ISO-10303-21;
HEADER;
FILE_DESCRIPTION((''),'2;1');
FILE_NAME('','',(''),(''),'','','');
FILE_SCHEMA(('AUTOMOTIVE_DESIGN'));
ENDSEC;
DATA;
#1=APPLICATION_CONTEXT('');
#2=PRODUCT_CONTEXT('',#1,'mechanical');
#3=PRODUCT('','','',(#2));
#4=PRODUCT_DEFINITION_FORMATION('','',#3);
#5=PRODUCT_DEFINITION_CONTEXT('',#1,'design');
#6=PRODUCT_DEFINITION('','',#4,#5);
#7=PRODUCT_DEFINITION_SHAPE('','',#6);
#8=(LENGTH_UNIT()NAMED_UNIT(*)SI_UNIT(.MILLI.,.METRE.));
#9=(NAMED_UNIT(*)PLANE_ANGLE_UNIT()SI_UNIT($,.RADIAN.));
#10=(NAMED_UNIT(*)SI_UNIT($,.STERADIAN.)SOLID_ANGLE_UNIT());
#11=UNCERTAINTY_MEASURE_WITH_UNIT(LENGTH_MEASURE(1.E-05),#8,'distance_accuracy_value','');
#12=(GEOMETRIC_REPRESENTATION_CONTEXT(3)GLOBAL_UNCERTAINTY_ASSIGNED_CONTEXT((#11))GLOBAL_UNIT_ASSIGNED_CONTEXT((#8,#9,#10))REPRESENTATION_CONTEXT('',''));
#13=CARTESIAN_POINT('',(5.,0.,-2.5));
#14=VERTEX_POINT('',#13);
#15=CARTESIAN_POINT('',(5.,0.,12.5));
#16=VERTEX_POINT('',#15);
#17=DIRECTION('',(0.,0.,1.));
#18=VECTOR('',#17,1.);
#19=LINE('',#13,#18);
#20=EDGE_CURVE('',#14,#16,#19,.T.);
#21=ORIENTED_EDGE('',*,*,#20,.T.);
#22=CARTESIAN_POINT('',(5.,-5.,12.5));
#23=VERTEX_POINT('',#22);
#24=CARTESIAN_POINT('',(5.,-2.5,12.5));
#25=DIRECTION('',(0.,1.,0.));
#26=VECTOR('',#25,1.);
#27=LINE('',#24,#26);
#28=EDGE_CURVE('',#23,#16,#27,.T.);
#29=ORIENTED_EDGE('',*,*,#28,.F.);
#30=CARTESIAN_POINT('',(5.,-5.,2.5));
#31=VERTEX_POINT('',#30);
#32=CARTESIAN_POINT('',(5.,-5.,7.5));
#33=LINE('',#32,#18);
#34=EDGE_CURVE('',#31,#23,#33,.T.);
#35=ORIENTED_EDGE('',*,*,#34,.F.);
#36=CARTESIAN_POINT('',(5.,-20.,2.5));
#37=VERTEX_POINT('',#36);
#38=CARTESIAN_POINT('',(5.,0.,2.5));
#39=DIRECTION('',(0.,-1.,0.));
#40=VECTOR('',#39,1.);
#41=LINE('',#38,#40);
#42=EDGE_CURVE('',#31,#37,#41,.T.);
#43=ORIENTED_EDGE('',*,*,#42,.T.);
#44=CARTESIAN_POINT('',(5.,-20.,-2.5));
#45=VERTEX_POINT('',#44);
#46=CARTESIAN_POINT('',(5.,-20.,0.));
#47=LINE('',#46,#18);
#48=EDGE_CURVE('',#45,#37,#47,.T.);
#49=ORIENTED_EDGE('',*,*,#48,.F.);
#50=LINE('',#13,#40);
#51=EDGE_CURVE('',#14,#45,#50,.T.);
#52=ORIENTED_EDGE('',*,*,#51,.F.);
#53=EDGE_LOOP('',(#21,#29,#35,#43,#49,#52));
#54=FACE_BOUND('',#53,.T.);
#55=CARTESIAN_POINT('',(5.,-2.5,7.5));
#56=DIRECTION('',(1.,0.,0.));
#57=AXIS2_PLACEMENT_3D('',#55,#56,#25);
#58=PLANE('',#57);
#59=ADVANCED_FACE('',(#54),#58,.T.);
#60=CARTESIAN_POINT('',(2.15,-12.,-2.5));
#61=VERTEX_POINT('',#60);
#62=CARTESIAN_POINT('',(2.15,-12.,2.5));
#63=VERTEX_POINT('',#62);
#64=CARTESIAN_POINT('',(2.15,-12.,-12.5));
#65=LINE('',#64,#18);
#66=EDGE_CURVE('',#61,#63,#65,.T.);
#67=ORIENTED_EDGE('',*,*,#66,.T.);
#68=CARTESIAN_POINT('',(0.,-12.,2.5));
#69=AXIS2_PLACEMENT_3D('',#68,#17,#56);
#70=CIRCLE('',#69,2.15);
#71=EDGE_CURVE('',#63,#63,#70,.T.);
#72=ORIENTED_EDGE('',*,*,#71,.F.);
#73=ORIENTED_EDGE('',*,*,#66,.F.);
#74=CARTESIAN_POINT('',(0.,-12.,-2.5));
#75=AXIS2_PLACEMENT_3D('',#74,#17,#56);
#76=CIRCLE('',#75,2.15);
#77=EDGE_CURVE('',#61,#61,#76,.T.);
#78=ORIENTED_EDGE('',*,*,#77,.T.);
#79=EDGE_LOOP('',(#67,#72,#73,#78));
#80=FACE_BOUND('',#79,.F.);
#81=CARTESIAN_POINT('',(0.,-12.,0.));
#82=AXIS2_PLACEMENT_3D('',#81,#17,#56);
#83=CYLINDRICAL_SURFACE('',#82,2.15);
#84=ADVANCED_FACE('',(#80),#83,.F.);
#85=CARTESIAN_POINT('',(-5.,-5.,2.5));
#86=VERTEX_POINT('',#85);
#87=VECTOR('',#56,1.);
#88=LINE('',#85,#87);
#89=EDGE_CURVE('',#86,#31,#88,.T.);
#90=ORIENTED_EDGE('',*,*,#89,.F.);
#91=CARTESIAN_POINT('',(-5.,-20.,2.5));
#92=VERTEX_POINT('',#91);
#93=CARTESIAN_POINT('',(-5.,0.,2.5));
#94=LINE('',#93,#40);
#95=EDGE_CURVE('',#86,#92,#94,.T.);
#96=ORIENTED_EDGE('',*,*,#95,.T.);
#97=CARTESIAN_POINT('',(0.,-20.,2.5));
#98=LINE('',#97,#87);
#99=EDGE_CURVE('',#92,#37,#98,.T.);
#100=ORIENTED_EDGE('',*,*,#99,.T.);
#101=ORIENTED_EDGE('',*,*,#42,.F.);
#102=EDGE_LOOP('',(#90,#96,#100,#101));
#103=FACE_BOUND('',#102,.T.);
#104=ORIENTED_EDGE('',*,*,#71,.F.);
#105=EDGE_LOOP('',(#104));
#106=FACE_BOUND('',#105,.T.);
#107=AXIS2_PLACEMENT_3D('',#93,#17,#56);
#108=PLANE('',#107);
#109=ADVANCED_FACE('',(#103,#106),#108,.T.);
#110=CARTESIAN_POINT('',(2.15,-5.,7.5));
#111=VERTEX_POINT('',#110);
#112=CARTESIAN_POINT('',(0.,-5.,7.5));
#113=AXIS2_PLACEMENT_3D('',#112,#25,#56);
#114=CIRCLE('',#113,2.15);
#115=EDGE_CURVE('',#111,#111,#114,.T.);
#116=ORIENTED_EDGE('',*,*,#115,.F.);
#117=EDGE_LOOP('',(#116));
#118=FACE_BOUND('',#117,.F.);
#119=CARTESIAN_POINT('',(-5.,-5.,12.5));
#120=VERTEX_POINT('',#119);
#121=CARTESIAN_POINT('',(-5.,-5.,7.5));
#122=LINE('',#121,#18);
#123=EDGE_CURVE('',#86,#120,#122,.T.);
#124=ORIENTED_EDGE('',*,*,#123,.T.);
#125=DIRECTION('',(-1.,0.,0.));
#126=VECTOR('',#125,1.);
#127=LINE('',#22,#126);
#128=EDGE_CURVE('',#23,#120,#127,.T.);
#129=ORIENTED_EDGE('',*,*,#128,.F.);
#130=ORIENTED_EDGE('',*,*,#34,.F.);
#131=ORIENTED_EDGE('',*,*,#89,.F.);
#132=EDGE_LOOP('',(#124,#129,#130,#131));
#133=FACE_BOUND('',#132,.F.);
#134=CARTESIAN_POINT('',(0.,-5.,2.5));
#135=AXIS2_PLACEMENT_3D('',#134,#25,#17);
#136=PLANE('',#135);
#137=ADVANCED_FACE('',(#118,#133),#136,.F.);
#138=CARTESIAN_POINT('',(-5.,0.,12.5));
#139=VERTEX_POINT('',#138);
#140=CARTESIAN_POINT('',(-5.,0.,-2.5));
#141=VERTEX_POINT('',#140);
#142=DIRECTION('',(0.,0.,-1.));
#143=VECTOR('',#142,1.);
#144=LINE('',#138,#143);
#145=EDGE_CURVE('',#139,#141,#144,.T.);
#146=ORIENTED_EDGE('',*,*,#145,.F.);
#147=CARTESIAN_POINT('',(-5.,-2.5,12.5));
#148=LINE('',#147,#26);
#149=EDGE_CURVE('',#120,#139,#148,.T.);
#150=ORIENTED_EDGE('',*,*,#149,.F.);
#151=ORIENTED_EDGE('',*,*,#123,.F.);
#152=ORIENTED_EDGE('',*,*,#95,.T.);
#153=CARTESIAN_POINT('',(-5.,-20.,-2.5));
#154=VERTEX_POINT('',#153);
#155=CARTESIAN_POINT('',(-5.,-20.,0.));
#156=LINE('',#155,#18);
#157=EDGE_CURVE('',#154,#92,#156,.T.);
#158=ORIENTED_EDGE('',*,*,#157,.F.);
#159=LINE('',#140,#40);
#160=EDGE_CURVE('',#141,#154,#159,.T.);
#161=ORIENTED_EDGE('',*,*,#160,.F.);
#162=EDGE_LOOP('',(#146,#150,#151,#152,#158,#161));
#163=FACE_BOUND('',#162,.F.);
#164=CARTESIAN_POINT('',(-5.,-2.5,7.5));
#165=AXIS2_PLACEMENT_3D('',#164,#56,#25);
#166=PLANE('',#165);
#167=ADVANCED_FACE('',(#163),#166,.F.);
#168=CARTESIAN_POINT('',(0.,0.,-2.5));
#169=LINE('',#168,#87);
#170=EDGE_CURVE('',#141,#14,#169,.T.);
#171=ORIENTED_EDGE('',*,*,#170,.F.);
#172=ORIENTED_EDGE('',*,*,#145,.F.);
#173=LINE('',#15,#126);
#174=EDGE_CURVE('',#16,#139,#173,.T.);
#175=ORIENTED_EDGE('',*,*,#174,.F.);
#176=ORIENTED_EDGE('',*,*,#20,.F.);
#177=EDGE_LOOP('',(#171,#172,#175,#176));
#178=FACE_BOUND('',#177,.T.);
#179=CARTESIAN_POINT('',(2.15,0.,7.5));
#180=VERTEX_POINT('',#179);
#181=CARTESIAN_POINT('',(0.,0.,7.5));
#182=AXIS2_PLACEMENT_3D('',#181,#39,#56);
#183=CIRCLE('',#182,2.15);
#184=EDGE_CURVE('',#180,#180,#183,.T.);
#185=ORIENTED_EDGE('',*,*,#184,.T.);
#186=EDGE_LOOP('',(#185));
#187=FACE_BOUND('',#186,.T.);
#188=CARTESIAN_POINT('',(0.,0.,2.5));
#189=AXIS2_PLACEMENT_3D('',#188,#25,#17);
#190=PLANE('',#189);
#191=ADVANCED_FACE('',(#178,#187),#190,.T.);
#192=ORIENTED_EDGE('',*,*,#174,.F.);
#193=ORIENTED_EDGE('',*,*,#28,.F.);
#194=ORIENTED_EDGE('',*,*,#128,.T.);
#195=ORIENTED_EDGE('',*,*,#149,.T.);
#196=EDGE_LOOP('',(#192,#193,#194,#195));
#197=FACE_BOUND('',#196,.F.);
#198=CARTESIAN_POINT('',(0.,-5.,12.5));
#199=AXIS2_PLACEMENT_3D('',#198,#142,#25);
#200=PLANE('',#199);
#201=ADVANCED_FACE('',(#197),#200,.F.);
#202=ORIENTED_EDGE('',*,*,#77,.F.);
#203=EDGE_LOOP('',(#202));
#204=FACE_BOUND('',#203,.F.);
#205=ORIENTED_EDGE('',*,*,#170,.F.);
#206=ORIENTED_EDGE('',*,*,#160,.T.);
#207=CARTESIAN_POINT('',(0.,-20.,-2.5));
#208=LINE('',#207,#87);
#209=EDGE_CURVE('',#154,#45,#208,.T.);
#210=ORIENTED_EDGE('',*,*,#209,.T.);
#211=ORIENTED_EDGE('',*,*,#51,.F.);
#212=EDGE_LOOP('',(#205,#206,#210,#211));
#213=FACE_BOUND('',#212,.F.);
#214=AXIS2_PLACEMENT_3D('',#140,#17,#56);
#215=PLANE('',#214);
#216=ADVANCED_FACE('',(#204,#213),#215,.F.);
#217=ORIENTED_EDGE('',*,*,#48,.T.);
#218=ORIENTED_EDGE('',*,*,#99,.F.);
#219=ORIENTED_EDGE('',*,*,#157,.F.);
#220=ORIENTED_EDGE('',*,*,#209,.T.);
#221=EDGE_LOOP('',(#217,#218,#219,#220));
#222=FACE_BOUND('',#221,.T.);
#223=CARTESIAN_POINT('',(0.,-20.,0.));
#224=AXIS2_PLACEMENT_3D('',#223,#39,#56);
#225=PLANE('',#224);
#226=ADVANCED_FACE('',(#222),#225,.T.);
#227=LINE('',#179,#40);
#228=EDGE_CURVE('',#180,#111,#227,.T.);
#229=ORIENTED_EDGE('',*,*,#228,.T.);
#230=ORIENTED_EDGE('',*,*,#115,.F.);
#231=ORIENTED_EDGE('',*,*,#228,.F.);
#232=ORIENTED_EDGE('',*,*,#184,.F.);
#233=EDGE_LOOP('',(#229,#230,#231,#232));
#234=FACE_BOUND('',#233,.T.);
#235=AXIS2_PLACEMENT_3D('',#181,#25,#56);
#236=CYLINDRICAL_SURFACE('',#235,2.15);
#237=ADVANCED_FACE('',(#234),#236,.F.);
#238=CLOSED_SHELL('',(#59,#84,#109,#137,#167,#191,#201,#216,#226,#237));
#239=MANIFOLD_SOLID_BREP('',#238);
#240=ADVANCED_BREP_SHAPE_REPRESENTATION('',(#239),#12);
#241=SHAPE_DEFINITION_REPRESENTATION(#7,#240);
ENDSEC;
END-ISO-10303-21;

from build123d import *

# Parameters (mm, degrees)
F0_W     = 10
F0_H     = 5
F1_DEPTH = 20
F2_W     = 5
F2_H     = 10
F3_DEPTH = 5
F4_R     = 2.15
F5_DEPTH = 12.5
F6_R     = 2.15
F7_DEPTH = 5.1


with BuildPart() as f1:
    # F0 (on Front) → F1 (new body)
    with BuildSketch(Plane.XZ):
        Rectangle(F0_W, F0_H)
    extrude(amount=F1_DEPTH)

    # F2 (on Right) → F3 (join, symmetric)
    with BuildSketch(Plane.YZ):
        with Locations((-2.5, 7.5)):
            Rectangle(F2_W, F2_H)
    extrude(amount=F3_DEPTH, both=True)

    # F4 (on Top) → F5 (cut, symmetric)
    with BuildSketch(Plane.XY):
        with Locations((0, -12)):
            Circle(F4_R)
    extrude(amount=F5_DEPTH, both=True, mode=Mode.SUBTRACT)

    # F6 (on Front) → F7 (cut)
    with BuildSketch(Plane.XZ):
        with Locations((0, 7.5)):
            Circle(F6_R)
    extrude(amount=F7_DEPTH, mode=Mode.SUBTRACT)


solid = f1.part
